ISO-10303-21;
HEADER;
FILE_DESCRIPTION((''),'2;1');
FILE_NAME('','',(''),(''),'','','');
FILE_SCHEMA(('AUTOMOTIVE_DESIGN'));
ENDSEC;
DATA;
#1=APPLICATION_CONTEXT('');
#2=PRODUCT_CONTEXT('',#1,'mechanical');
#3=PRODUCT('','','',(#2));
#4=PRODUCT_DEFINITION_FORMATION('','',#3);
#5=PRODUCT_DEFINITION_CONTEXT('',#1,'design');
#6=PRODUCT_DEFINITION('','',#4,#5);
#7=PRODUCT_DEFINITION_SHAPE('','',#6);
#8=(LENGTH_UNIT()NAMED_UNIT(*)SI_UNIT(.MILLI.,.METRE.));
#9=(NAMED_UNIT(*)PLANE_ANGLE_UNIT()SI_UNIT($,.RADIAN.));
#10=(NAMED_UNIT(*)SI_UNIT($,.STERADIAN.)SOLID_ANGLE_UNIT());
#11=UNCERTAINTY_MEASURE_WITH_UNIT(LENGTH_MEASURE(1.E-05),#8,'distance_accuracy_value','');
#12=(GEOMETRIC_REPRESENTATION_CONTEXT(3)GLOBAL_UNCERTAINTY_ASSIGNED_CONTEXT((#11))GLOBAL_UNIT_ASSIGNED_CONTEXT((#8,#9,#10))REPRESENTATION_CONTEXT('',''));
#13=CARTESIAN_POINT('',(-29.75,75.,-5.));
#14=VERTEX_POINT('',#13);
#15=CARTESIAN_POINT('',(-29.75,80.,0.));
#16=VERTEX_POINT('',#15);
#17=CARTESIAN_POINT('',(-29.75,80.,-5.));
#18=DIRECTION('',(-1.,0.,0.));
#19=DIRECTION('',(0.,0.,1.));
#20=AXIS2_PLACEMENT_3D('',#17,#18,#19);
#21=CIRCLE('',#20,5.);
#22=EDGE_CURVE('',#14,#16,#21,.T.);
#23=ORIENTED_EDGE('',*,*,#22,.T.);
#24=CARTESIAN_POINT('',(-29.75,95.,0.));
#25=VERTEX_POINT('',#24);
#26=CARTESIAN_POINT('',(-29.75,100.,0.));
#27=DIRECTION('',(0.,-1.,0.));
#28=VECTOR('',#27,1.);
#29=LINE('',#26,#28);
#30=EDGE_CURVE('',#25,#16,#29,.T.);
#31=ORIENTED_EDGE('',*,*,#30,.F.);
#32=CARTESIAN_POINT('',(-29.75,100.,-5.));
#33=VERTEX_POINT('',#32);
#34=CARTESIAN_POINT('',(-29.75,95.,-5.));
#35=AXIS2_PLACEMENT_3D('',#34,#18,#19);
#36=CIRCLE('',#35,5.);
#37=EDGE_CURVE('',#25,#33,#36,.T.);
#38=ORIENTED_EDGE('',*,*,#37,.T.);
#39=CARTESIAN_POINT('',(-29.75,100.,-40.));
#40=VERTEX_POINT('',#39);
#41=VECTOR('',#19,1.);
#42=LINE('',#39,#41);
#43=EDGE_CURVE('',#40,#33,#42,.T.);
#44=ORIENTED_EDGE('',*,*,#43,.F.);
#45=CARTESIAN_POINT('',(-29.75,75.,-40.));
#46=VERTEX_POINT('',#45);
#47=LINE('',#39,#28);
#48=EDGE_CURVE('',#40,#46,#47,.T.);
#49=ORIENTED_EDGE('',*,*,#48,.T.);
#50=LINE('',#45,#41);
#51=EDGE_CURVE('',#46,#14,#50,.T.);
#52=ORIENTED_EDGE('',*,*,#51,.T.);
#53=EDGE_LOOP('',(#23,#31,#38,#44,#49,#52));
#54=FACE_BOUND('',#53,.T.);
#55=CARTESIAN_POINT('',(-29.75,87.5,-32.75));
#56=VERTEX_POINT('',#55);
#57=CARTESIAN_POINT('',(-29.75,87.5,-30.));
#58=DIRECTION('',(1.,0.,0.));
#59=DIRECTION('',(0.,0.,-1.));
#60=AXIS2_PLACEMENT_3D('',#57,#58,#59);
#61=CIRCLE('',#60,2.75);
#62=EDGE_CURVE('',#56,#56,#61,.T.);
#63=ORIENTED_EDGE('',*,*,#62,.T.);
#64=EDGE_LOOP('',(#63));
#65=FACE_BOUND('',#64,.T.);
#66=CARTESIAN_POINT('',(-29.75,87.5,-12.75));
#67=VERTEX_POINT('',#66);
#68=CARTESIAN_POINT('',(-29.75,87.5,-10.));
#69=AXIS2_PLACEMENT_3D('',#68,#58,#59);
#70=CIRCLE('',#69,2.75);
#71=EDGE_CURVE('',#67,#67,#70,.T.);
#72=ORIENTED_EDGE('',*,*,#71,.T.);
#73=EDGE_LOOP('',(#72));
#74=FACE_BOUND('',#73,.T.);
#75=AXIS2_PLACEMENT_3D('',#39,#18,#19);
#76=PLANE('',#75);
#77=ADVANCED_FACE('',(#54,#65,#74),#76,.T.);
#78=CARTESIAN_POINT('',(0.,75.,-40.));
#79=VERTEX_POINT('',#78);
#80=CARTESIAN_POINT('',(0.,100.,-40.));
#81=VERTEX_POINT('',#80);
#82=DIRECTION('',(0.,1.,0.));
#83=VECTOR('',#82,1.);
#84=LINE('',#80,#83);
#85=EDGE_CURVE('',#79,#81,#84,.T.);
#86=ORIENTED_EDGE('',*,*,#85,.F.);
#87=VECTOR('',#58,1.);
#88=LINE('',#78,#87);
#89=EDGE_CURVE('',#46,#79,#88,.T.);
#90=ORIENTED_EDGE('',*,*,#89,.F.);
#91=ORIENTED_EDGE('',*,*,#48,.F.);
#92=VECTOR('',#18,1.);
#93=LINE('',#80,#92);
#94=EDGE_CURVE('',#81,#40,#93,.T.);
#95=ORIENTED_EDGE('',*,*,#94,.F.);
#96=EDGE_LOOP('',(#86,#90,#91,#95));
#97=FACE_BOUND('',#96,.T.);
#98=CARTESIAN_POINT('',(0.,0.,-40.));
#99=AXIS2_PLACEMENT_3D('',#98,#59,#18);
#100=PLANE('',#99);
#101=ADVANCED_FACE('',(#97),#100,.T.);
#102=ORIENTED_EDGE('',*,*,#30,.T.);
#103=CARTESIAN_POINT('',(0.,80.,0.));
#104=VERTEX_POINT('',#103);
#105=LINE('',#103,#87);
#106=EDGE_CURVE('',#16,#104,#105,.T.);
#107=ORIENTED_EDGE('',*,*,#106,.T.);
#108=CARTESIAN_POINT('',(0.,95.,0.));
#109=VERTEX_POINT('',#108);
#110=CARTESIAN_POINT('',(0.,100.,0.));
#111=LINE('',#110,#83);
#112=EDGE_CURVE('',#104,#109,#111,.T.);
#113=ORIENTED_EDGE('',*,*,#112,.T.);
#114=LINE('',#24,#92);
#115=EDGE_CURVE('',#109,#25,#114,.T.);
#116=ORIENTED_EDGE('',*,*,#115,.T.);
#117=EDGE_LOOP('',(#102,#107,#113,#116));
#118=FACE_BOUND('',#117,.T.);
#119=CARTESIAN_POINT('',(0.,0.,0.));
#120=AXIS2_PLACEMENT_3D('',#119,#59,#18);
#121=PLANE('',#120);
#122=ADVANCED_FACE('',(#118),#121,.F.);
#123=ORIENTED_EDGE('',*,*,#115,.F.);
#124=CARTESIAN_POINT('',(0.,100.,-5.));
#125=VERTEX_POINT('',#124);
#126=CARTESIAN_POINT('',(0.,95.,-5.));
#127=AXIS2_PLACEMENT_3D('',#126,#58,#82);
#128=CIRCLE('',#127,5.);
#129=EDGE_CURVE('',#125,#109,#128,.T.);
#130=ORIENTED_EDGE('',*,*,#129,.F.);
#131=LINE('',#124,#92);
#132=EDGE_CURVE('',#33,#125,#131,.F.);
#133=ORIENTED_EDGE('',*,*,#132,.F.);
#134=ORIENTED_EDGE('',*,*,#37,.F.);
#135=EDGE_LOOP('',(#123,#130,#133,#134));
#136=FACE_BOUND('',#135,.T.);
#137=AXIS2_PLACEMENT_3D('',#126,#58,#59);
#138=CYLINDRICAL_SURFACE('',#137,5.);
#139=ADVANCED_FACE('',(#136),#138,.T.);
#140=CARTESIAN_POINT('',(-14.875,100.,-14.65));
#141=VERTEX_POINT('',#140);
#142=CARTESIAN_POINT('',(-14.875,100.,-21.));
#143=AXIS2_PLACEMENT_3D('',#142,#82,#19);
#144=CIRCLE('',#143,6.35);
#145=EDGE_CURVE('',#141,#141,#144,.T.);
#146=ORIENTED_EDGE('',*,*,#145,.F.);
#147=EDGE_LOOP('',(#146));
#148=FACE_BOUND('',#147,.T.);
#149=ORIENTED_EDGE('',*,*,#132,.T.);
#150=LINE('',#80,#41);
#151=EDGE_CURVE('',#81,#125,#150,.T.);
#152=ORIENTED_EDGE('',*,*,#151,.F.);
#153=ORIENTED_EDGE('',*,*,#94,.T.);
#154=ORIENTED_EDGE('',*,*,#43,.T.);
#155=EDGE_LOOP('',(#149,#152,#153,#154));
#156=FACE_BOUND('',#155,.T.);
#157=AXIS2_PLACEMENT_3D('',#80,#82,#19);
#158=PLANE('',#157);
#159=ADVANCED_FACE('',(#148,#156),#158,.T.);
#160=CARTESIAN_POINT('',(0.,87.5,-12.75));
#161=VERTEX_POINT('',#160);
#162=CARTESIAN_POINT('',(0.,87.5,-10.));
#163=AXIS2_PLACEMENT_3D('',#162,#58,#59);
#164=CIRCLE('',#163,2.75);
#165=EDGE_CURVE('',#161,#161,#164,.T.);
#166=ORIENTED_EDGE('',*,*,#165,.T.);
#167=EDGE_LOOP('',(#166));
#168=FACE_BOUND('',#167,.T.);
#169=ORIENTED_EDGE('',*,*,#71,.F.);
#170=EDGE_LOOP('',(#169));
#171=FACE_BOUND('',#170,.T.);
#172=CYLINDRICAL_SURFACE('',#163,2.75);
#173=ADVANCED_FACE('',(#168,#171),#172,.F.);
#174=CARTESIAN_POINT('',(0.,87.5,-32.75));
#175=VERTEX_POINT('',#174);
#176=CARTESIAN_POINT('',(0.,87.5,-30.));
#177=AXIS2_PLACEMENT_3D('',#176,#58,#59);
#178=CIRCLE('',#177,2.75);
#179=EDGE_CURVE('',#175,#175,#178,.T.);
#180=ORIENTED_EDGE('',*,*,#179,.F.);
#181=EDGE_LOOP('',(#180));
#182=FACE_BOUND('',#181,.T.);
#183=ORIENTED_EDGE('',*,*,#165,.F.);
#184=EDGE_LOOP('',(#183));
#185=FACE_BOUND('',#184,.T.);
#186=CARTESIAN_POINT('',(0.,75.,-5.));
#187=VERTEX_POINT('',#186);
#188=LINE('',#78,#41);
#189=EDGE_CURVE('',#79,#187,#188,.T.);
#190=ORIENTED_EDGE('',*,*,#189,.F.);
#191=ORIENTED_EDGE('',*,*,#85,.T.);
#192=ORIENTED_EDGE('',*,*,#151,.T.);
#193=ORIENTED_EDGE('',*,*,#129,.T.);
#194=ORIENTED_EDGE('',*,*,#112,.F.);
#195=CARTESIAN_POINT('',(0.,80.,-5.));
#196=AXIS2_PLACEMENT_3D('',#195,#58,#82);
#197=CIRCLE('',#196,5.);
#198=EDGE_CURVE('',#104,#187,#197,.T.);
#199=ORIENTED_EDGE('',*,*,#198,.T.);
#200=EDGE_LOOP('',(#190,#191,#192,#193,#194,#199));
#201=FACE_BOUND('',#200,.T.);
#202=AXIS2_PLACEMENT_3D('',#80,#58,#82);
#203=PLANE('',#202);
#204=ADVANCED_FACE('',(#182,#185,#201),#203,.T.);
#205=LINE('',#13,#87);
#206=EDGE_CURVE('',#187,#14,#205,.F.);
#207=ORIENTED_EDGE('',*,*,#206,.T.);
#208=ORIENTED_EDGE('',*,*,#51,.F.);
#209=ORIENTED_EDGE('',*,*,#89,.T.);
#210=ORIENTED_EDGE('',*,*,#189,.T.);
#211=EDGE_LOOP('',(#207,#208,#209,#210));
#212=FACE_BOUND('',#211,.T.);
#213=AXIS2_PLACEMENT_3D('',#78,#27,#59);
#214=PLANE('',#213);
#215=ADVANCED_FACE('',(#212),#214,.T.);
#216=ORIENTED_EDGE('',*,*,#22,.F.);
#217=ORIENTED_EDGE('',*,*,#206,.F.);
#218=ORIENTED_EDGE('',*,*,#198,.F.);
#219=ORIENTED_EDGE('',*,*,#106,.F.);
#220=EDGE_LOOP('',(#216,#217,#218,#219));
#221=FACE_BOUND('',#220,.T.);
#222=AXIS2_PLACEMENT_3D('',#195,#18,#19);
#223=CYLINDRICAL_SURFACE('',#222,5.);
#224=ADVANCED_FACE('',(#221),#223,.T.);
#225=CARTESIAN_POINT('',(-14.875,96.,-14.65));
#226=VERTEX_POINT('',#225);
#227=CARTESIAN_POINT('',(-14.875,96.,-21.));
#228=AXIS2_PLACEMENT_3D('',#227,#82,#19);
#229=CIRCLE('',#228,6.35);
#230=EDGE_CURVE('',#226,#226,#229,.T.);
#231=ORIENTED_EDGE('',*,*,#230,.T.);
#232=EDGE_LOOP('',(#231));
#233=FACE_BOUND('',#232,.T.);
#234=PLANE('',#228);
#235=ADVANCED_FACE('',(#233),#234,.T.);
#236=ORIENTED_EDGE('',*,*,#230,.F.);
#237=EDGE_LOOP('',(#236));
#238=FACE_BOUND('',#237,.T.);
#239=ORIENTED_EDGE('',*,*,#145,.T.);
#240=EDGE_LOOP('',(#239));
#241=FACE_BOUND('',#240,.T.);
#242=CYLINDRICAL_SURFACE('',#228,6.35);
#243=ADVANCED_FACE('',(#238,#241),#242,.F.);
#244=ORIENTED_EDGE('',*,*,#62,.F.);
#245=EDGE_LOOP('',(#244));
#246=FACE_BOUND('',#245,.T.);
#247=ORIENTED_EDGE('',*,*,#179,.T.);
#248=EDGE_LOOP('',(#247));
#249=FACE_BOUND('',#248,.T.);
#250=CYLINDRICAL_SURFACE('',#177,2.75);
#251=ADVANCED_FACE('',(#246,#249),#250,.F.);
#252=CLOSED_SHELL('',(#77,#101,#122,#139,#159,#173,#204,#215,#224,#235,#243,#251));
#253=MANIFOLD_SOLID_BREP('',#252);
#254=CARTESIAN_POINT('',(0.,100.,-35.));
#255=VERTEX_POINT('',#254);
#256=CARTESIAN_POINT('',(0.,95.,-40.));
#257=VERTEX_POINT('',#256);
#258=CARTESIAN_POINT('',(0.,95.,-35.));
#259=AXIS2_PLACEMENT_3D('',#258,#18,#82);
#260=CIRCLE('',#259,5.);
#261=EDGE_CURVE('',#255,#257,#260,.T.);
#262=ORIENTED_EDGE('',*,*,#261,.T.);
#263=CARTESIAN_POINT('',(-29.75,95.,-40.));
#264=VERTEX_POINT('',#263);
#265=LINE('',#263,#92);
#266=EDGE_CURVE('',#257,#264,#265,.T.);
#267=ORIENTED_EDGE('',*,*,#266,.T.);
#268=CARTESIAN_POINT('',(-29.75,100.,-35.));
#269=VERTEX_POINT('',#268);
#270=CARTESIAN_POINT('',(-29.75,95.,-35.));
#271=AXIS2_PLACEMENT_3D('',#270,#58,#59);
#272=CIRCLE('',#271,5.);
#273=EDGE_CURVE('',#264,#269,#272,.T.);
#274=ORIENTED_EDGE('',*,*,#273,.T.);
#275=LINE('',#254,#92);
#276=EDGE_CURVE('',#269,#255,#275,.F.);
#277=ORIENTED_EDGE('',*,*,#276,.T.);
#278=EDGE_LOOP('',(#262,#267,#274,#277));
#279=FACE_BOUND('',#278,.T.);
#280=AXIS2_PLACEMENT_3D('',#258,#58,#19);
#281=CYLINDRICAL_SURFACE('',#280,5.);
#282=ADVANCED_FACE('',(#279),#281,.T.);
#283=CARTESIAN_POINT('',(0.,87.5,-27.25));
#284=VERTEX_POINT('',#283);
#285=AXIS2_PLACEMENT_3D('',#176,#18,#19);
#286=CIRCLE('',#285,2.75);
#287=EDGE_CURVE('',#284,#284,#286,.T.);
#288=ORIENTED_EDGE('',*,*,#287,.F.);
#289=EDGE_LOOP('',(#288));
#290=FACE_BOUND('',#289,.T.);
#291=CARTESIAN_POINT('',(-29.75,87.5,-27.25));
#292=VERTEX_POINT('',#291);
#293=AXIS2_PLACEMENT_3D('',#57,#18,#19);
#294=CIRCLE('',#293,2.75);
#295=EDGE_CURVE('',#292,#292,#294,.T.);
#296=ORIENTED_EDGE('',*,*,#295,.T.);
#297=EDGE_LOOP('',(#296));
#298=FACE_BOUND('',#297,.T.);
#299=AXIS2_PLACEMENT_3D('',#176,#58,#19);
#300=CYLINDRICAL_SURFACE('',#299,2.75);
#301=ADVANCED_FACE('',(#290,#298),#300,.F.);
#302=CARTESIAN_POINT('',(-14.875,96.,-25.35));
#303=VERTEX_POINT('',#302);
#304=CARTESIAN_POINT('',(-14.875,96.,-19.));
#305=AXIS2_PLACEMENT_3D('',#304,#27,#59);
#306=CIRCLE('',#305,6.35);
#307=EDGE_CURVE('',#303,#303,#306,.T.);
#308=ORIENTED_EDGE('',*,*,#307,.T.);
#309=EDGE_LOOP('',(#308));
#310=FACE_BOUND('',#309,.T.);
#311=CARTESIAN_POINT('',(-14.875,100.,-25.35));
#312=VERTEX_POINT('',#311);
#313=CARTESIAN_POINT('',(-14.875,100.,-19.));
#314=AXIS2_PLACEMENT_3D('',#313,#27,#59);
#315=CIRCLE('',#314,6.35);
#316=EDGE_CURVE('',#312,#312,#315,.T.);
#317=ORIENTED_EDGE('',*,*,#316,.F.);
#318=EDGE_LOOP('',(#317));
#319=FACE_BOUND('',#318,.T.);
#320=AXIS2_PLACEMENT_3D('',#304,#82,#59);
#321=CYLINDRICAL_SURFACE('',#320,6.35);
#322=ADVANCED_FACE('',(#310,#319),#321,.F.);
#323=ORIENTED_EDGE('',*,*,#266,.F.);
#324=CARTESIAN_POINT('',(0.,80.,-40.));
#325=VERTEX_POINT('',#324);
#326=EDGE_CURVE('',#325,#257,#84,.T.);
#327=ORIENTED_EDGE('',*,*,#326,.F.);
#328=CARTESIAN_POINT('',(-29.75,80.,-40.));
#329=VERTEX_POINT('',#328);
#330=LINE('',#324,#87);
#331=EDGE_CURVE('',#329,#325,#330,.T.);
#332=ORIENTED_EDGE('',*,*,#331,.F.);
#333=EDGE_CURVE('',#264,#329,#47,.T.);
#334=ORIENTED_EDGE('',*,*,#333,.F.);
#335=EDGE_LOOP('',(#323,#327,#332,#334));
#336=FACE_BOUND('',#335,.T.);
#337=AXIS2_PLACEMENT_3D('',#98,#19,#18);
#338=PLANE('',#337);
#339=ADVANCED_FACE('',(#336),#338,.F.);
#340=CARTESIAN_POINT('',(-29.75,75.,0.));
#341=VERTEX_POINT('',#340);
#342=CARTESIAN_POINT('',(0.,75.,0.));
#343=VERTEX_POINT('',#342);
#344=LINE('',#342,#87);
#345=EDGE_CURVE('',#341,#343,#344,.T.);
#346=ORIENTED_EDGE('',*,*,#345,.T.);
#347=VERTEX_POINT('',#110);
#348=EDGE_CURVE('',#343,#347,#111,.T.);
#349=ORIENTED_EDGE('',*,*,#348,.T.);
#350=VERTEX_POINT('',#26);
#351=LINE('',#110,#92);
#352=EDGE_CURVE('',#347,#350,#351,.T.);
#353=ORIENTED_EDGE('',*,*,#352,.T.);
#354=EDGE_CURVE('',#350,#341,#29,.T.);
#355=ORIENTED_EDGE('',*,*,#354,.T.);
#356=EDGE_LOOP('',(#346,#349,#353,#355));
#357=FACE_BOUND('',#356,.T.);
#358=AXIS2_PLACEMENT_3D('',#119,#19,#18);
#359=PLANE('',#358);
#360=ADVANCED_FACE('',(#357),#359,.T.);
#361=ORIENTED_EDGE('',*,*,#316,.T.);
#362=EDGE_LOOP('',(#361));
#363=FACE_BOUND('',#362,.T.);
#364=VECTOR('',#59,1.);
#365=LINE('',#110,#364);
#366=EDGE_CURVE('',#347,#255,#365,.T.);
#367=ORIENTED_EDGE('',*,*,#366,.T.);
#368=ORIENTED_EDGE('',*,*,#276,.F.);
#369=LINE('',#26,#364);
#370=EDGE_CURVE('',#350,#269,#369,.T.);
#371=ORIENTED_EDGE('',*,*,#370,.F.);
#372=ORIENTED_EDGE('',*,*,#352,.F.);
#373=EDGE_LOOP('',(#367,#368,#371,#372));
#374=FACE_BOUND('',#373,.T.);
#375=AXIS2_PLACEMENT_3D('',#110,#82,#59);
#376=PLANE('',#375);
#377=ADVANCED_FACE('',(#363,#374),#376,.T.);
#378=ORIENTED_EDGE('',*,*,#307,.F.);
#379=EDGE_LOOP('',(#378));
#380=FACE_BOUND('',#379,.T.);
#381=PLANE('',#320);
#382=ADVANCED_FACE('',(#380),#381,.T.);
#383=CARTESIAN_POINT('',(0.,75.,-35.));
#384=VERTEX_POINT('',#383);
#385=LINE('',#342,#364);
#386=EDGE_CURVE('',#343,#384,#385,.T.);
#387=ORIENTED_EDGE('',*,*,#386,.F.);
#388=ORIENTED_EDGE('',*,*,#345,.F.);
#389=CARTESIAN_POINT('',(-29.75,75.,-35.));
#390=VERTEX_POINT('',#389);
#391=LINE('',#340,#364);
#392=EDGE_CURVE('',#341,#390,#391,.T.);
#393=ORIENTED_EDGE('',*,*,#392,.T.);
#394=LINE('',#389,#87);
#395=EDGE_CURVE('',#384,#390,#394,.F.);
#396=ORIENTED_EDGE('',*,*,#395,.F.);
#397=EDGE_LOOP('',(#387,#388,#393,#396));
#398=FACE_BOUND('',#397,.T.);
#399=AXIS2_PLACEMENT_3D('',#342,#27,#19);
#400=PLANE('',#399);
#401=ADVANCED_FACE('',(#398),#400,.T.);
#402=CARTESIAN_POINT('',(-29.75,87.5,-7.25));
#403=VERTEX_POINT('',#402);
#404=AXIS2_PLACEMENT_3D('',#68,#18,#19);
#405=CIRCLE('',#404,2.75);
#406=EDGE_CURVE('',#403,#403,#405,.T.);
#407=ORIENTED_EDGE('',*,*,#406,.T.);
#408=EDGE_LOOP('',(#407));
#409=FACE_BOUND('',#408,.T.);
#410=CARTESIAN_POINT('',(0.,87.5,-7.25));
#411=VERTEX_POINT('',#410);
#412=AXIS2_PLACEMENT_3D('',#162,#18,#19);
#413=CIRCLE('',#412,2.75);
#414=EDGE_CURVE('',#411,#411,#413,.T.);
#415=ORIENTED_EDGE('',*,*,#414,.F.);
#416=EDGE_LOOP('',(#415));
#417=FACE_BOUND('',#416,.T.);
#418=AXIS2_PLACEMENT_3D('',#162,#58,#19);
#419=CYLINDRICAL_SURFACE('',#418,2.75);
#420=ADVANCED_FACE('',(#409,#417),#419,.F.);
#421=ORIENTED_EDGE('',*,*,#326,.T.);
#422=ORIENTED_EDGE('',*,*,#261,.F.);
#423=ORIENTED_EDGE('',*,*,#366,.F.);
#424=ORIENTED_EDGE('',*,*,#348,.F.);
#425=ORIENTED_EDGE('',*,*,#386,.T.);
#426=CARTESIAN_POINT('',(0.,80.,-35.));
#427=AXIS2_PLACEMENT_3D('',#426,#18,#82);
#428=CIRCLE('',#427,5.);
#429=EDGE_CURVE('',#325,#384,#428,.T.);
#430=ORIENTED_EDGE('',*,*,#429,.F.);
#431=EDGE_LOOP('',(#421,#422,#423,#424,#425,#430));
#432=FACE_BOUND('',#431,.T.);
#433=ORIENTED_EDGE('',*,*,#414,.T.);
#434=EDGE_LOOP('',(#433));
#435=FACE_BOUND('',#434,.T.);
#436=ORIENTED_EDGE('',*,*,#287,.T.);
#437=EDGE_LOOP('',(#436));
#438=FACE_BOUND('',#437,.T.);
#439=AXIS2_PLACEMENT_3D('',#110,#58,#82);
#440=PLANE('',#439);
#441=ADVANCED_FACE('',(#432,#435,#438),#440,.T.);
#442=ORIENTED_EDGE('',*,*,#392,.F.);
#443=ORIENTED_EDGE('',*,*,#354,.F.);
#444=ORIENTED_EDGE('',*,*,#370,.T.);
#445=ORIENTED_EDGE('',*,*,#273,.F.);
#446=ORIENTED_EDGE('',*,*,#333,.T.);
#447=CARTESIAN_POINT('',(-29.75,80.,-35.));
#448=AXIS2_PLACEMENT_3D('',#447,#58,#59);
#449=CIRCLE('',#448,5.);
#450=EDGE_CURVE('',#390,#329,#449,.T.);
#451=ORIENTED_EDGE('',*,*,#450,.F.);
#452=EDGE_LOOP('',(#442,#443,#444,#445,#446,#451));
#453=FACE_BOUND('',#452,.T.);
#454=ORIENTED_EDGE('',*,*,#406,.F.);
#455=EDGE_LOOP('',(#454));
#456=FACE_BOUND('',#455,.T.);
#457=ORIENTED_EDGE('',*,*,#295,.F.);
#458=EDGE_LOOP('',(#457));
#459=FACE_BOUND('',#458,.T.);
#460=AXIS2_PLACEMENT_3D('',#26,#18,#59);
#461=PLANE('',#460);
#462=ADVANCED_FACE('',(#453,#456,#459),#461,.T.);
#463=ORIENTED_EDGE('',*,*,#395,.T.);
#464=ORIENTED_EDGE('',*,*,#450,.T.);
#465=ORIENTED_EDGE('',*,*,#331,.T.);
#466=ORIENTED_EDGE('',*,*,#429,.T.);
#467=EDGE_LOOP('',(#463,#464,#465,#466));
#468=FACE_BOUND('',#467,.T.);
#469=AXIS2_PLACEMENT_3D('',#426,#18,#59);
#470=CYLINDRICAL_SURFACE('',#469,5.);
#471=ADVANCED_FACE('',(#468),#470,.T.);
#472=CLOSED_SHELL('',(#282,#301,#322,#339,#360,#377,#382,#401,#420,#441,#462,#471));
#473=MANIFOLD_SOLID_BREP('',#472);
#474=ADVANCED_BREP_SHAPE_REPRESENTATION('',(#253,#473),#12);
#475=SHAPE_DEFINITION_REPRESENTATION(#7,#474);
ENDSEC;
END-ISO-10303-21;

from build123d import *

# Parameters (mm, degrees)
ESQUISSE2_W             = 29.75
ESQUISSE2_H             = 25
BOSS_EXTRU_1_DEPTH      = 40
ESQUISSE3_R             = 6.35
ENL_V_MAT_EXTRU_1_DEPTH = 4
D_GAGEMENT_M51_D        = 5.5
CONG_1_R                = 5


with BuildPart() as part:
    # Esquisse2 → Boss.-Extru.1 (new body)
    with BuildSketch(Plane.XY):
        with Locations((-14.875, 87.5)):
            Rectangle(ESQUISSE2_W, ESQUISSE2_H)
    extrude(amount=-BOSS_EXTRU_1_DEPTH)

    # Esquisse3 → Enlèv. mat.-Extru.1 (cut)
    with BuildSketch(Plane(origin=(0, 100, 0), x_dir=(1, 0, 0), z_dir=(0, 1, 0))):
        with Locations(Location((-14.875, 21, 0), (0, 0, 270))):
            Circle(ESQUISSE3_R)
    extrude(amount=-ENL_V_MAT_EXTRU_1_DEPTH, mode=Mode.SUBTRACT)

    # Dégagement M51 (through all)
    with Locations(Plane(origin=(0, 87.5, -10), x_dir=(0, 1, 0), z_dir=(1, 0, 0))):
        with Locations((0, 0), (0, -20)):
            Hole(D_GAGEMENT_M51_D / 2)

    # Congé1
    cong_1_edges = [part.edges().sort_by_distance(p)[0] for p in [
        (-14.875, 75, 0),
        (-14.875, 100, 0),
    ]]
    fillet(cong_1_edges, radius=CONG_1_R)


with BuildPart() as body_2:
    # Symétrie1: mirrored copy
    add(part.part.mirror(Plane.XY.offset(-20)))


solid = Compound([part.part, body_2.part])
